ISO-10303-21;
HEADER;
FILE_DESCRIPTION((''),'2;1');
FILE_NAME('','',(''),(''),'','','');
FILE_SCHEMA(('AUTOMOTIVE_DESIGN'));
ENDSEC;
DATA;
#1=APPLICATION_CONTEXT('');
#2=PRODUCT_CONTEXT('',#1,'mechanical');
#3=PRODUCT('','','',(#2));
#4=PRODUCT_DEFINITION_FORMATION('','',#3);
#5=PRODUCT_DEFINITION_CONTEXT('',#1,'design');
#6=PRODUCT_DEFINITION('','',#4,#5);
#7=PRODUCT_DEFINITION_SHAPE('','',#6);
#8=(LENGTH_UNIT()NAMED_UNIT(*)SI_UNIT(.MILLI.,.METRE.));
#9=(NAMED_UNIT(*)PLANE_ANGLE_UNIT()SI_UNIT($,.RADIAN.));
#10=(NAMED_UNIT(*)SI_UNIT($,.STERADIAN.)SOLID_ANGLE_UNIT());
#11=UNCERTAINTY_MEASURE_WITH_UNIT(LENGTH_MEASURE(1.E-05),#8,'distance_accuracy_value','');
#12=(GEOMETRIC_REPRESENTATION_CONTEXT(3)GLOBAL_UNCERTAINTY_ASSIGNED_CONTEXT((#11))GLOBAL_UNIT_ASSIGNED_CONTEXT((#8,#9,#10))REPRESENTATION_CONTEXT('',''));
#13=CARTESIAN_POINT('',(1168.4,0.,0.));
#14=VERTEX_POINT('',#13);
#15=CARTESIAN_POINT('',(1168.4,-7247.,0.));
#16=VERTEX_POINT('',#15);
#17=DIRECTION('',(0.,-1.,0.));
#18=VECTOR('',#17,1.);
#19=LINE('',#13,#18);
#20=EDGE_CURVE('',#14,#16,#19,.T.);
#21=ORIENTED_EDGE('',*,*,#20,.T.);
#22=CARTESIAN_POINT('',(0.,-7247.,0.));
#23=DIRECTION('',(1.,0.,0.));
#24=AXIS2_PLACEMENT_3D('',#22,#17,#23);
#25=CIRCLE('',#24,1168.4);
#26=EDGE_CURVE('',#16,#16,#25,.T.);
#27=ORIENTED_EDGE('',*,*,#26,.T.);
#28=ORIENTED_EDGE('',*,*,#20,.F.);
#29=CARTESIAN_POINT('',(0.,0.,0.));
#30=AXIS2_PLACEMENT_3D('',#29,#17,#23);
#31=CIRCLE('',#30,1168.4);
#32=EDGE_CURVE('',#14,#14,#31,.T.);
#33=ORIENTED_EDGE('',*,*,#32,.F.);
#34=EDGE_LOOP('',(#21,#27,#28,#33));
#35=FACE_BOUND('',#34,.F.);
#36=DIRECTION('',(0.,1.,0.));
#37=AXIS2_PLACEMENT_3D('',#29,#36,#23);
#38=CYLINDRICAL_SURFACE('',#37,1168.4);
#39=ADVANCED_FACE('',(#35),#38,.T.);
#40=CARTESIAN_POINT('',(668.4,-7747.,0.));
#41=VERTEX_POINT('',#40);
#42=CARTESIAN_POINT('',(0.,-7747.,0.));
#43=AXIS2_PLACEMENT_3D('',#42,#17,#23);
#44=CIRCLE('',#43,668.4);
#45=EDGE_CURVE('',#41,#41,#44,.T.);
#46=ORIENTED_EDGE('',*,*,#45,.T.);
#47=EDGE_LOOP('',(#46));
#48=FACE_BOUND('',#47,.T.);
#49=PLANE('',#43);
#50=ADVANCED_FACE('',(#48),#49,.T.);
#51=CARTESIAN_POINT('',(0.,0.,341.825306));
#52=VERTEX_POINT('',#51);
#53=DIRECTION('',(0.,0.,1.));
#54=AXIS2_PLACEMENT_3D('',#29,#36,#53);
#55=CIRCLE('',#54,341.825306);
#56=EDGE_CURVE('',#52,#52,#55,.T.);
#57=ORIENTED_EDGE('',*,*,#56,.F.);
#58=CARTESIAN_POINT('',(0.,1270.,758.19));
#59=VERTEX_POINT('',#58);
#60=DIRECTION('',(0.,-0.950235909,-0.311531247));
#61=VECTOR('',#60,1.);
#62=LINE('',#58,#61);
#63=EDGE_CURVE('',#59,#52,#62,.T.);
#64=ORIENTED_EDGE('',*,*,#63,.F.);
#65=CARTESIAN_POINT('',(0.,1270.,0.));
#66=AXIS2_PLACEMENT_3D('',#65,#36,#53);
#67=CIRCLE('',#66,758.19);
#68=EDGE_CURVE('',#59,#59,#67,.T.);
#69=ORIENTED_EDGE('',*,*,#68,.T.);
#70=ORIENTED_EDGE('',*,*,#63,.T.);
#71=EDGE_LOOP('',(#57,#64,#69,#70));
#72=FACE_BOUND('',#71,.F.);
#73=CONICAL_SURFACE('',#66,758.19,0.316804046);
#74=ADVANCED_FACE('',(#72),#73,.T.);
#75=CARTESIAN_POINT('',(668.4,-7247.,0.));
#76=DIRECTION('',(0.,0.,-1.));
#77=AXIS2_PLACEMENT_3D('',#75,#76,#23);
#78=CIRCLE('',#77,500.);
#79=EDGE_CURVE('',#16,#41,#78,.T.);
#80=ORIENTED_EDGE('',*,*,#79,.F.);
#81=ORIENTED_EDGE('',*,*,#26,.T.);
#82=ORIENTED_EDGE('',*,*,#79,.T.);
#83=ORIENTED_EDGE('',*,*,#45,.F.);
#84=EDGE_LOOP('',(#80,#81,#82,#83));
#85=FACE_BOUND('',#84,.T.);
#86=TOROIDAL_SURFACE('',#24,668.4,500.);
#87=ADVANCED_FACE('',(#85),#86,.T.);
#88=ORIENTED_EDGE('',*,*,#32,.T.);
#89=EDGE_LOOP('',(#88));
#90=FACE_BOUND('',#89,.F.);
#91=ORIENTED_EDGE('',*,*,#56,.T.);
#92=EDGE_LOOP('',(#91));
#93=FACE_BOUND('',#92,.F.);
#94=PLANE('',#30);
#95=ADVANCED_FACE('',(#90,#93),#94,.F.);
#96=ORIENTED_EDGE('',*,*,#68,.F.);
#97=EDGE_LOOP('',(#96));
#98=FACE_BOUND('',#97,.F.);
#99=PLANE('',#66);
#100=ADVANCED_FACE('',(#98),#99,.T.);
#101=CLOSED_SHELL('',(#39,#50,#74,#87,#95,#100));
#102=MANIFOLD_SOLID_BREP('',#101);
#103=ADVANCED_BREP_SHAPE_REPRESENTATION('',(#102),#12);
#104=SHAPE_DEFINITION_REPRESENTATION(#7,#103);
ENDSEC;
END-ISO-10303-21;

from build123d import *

# Parameters (mm, degrees)
F0_R     = 1168.4
F1_DEPTH = 7747
F4_R     = 500


with BuildPart() as f1:
    # F0 (on Front) → F1 (new body)
    with BuildSketch(Plane.XZ):
        Circle(F0_R)
    extrude(amount=F1_DEPTH)

    # F2 (on Right) → F3 (revolve)
    with BuildSketch(Plane.YZ):
        Polygon((0, 341.825306), (0, 0), (1270, 0), (1270, 758.19), align=None)
    revolve(axis=Axis((0, 635, 0), (0, 1, 0)))

    # F4
    f4_edges = [f1.edges().sort_by_distance(p)[0] for p in [
        (-1168.4, -7747, 0),
    ]]
    fillet(f4_edges, radius=F4_R)


solid = f1.part
